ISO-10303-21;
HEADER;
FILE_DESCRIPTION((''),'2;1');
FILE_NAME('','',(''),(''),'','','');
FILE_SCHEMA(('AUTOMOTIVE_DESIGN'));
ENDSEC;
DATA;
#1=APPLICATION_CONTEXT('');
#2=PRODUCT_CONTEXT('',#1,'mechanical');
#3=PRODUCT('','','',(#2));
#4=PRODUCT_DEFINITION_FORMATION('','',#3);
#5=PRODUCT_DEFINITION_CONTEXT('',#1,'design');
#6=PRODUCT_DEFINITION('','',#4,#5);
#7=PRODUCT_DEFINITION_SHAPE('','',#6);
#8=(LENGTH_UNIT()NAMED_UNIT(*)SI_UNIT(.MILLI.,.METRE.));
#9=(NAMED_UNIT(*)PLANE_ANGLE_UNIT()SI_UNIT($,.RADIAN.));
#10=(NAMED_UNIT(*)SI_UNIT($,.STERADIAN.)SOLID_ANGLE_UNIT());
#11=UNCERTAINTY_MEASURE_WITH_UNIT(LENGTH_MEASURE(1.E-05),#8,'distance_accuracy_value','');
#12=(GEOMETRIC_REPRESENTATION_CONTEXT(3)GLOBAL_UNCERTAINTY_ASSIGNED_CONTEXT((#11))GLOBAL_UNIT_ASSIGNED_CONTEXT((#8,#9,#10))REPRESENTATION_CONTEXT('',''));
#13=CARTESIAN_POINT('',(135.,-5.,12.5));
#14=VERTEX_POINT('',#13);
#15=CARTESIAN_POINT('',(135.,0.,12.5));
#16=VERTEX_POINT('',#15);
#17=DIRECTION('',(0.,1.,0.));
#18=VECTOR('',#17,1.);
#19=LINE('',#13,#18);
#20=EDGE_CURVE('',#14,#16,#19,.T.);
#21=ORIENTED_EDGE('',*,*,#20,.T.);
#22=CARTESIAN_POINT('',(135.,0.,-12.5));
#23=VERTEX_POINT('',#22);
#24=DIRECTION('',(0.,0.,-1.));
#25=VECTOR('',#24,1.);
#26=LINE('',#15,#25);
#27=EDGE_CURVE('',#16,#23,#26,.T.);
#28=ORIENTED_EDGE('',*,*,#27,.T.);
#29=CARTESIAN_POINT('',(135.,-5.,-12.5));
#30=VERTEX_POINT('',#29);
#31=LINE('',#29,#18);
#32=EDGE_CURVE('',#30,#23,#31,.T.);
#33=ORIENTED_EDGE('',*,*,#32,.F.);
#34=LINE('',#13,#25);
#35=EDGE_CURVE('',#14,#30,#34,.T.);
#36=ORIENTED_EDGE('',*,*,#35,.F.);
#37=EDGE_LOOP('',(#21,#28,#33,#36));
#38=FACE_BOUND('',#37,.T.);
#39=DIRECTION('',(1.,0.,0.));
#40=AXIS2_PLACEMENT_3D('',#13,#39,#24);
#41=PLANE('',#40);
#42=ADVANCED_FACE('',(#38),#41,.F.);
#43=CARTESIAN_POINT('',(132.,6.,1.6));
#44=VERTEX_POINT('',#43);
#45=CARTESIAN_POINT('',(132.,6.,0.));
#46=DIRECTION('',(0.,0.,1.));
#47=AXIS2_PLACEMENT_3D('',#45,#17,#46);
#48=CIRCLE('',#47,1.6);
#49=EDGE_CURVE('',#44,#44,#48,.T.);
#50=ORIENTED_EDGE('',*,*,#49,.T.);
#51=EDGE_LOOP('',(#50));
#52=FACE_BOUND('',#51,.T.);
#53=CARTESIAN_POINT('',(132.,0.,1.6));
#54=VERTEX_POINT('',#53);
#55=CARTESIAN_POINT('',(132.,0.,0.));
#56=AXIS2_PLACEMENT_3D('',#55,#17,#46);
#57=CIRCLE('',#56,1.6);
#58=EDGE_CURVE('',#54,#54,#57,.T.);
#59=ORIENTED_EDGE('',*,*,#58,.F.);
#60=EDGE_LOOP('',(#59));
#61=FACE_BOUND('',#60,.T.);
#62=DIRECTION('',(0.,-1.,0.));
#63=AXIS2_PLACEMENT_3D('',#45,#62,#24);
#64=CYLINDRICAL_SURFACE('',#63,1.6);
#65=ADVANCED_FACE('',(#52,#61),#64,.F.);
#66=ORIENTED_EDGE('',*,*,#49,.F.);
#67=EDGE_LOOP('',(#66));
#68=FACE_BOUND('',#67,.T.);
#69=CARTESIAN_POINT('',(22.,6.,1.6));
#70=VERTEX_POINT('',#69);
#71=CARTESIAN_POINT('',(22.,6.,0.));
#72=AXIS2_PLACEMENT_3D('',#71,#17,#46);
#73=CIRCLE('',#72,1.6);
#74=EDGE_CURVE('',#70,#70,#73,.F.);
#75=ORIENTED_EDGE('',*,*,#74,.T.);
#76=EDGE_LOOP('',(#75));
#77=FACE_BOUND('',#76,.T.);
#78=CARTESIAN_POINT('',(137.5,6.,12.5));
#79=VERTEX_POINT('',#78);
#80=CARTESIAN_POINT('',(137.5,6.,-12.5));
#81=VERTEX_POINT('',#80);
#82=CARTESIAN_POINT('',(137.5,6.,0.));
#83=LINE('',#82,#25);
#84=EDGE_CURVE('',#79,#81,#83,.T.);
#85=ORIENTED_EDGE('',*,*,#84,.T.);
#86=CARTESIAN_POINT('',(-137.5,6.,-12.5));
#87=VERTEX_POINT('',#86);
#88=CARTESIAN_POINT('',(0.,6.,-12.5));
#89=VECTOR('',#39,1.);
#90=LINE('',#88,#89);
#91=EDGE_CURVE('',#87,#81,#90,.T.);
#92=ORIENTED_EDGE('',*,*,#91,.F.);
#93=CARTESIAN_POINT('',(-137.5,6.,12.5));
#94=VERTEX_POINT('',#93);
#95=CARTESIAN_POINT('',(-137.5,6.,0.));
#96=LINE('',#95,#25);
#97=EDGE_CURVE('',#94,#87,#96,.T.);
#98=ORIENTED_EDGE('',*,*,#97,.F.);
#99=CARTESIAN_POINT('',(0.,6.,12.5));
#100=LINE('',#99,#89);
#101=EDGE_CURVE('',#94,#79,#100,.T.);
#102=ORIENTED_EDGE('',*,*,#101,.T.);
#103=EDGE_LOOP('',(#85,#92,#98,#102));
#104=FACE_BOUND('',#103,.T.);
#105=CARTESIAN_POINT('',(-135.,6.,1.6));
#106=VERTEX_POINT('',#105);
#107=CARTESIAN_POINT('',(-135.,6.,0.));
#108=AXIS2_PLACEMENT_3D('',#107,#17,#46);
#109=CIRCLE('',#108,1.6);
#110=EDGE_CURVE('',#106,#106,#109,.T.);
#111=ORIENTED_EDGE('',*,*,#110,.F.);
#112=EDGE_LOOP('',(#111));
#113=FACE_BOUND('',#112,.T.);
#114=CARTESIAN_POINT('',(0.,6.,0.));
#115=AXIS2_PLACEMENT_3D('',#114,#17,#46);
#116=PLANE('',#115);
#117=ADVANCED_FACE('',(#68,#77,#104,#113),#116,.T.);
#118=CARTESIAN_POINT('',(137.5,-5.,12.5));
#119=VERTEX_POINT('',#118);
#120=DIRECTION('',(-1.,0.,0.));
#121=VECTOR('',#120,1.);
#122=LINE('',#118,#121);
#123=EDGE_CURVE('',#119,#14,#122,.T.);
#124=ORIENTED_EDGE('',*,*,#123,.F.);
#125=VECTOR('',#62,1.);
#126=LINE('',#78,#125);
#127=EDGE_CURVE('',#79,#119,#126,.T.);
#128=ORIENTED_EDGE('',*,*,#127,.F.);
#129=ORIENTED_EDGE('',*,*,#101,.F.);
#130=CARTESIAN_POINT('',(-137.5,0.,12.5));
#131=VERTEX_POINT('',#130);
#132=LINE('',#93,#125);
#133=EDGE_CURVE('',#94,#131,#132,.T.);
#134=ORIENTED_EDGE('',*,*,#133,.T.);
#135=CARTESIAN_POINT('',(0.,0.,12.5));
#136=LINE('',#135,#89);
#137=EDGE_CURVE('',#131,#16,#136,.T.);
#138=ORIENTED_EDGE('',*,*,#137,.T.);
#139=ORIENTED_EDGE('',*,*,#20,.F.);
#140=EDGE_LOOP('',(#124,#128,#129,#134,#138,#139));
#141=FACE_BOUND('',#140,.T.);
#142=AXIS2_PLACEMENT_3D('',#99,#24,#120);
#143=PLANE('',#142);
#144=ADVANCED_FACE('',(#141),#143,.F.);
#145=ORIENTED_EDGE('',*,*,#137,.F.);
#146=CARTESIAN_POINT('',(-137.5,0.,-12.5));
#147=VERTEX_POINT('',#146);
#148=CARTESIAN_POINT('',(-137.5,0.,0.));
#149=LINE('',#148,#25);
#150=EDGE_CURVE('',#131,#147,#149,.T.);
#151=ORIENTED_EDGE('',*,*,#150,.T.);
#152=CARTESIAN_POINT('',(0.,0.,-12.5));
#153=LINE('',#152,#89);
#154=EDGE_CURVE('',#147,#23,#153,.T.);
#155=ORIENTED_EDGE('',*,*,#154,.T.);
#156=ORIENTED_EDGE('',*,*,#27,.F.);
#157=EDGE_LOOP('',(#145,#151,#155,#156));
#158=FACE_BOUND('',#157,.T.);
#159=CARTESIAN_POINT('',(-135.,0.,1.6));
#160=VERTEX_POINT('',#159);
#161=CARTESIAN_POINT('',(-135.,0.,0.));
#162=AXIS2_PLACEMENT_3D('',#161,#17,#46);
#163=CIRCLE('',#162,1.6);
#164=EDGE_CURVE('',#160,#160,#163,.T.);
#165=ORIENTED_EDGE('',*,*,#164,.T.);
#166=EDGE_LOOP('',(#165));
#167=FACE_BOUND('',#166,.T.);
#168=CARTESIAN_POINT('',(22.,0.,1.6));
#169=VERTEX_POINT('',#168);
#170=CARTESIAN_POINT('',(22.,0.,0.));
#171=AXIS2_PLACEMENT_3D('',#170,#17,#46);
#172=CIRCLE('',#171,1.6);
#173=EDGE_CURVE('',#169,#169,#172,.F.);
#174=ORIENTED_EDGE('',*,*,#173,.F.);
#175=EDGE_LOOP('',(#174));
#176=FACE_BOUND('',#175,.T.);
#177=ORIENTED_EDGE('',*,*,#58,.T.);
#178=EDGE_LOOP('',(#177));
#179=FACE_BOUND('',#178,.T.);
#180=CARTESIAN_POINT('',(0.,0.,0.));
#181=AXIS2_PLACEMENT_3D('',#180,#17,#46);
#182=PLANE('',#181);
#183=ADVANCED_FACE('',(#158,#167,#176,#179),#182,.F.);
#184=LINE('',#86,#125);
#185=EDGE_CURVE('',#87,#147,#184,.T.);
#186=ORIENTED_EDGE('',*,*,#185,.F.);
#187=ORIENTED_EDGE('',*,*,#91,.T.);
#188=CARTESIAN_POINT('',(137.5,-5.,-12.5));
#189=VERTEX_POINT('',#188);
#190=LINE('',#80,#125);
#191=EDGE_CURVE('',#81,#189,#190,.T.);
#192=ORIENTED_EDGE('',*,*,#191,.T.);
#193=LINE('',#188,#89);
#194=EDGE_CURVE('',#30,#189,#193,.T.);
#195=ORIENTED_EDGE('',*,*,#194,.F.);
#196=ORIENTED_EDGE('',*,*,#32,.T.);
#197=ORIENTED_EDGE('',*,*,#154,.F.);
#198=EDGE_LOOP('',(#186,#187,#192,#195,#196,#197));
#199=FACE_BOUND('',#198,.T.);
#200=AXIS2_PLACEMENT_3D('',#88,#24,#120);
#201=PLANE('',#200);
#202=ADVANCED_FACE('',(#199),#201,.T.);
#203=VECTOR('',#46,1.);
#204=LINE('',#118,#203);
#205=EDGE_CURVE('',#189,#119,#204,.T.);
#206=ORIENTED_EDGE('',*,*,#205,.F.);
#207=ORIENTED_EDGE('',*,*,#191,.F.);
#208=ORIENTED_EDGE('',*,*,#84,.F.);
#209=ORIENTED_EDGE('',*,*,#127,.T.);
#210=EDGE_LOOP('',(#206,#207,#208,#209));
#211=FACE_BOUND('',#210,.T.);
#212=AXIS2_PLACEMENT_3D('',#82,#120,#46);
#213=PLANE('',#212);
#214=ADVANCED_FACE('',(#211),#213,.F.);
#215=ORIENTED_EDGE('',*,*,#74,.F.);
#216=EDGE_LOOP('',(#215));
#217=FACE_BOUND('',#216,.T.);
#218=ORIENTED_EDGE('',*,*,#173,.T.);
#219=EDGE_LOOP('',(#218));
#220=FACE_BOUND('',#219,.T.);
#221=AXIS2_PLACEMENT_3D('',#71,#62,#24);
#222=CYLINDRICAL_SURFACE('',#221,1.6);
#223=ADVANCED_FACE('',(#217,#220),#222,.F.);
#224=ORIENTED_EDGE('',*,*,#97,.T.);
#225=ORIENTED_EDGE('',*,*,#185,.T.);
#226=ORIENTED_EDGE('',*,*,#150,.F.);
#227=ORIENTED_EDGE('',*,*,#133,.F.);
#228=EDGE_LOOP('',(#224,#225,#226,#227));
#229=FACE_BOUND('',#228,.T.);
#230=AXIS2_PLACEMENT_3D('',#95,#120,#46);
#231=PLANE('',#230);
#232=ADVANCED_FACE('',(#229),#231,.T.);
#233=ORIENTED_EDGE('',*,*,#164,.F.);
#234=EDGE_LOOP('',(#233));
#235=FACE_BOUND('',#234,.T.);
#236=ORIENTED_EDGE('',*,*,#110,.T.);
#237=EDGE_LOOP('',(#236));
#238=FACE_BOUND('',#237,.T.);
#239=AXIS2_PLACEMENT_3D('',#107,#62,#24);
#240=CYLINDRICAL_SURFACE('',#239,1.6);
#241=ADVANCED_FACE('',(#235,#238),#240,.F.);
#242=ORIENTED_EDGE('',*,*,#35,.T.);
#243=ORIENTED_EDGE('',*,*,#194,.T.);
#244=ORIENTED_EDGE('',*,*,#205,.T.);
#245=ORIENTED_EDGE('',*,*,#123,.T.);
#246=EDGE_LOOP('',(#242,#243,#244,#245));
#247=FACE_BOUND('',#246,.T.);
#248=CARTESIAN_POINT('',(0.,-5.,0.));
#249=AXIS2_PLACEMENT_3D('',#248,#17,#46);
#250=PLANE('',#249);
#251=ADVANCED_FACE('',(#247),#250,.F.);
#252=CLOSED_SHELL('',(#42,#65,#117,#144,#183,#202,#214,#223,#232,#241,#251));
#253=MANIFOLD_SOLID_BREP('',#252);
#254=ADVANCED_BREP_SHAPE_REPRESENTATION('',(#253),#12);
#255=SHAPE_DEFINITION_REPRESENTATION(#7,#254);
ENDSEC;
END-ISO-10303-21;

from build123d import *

# Parameters (mm, degrees)
SKETCH1_W           = 275
SKETCH1_H           = 25
SKETCH1_R           = 1.6
BOSS_EXTRUDE1_DEPTH = 6
SKETCH2_W           = 2.5
SKETCH2_H           = 25
BOSS_EXTRUDE2_DEPTH = 5


with BuildPart() as part:
    # Sketch1 → Boss-Extrude1 (new body)
    with BuildSketch(Plane(origin=(0, 0, 0), x_dir=(1, 0, 0), z_dir=(0, 1, 0))):
        Rectangle(SKETCH1_W, SKETCH1_H)
        with Locations(Location((-135, 0, 0), (0, 0, 270))):
            Circle(SKETCH1_R, mode=Mode.SUBTRACT)
        with Locations(Location((132, 0, 0), (0, 0, 270))):
            Circle(SKETCH1_R, mode=Mode.SUBTRACT)
        with Locations(Location((22, 0, 0), (0, 0, 270))):
            Circle(SKETCH1_R, mode=Mode.SUBTRACT)
    extrude(amount=BOSS_EXTRUDE1_DEPTH)

    # Sketch2 → Boss-Extrude2 (add)
    with BuildSketch(Plane(origin=(0, 0, 0), x_dir=(-1, 0, 0), z_dir=(0, -1, 0))):
        with Locations((-136.25, 0)):
            Rectangle(SKETCH2_W, SKETCH2_H)
    extrude(amount=BOSS_EXTRUDE2_DEPTH)


solid = part.part
